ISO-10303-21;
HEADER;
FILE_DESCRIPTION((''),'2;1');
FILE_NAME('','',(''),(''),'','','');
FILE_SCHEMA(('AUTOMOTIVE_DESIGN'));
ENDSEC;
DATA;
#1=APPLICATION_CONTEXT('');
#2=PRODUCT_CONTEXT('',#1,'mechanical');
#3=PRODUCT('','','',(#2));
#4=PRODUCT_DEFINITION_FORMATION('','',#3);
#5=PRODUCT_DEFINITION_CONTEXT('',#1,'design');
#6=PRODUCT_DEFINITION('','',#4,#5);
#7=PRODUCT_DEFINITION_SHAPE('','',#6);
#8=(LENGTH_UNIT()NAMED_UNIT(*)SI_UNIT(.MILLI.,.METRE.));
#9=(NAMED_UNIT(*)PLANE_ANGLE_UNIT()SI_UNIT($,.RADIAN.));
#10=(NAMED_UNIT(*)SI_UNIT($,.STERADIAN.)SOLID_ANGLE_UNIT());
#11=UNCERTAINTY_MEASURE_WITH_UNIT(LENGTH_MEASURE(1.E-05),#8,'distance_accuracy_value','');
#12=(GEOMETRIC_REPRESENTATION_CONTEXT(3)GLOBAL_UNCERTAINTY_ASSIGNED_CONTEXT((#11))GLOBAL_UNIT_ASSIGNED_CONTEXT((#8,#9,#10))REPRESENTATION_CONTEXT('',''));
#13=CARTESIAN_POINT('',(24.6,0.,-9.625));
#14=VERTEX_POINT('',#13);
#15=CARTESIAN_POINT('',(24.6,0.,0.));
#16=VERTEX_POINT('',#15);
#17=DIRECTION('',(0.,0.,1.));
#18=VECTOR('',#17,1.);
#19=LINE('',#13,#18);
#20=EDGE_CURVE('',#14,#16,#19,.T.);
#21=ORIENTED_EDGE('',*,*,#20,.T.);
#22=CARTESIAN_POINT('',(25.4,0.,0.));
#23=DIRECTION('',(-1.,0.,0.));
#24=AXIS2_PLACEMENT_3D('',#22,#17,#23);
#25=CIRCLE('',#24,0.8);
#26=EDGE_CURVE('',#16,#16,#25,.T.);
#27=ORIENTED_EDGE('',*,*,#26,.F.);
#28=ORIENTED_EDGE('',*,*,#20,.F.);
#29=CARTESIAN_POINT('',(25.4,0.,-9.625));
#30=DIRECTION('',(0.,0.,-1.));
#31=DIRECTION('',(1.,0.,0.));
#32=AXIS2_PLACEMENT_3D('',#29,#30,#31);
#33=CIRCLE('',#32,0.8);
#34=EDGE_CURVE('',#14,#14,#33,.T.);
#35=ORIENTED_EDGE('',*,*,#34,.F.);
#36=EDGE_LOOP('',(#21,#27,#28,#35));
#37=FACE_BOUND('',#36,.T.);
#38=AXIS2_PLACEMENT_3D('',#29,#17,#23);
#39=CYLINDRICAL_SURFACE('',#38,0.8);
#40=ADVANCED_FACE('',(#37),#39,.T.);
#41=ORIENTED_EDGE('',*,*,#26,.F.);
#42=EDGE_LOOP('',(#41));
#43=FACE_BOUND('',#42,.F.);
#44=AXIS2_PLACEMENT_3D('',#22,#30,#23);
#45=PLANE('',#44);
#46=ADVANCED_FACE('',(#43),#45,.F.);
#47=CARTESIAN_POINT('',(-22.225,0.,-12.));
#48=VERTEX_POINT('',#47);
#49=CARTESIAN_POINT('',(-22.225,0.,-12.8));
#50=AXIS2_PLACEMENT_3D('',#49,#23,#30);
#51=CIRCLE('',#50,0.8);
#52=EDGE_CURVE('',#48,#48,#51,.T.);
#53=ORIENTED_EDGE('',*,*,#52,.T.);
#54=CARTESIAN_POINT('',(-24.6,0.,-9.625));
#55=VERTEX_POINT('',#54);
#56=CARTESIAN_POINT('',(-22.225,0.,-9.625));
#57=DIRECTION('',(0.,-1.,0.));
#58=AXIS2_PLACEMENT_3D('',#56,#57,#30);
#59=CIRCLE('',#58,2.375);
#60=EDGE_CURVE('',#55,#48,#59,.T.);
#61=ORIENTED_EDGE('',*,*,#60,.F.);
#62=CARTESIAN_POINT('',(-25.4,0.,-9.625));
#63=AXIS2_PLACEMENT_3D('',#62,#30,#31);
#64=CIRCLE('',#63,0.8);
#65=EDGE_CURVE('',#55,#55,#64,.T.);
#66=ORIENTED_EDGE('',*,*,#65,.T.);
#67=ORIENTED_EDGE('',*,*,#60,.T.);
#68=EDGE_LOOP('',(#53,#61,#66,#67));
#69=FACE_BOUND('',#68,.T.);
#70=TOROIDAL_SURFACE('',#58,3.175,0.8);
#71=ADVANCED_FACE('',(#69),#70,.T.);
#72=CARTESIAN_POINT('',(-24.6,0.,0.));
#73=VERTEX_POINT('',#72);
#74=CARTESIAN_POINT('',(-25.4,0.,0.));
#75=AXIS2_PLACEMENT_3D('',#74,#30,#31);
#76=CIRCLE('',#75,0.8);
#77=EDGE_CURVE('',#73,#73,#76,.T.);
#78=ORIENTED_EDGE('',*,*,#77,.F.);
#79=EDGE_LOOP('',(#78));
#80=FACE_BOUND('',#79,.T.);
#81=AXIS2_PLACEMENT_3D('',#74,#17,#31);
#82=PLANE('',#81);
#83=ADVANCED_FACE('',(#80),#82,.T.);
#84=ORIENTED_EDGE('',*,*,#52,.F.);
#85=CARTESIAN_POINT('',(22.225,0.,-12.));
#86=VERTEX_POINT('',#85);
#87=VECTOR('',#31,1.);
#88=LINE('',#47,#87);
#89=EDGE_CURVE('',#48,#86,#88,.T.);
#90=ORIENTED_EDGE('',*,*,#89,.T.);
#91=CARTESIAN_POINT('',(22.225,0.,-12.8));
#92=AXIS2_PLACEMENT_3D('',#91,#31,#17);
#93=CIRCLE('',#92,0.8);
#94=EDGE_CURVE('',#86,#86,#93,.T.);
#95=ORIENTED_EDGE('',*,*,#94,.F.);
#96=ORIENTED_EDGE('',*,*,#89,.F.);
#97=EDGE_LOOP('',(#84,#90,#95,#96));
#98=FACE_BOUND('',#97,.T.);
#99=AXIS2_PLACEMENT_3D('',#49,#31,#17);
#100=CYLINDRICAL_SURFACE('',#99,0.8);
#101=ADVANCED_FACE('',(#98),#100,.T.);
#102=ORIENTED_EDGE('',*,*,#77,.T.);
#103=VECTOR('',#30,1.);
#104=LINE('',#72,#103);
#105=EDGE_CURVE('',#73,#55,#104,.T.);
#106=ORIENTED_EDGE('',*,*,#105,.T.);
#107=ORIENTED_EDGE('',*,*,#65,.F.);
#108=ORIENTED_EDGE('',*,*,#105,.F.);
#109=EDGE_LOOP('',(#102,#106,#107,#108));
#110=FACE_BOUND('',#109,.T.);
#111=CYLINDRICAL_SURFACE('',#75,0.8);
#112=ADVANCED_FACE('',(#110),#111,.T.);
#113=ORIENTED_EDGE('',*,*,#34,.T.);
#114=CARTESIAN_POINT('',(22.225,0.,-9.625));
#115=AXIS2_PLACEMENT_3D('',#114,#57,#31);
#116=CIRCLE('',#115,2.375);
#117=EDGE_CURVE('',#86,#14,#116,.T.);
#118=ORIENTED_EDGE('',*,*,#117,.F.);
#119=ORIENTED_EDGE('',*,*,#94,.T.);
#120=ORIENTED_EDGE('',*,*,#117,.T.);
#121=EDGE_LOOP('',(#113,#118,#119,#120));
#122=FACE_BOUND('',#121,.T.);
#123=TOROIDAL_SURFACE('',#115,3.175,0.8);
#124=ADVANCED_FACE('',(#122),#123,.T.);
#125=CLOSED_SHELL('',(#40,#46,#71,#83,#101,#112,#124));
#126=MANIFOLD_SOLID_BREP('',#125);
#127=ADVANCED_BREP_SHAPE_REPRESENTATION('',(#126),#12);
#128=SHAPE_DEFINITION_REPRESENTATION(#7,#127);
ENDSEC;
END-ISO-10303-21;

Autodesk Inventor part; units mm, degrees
ref_plane "XZ Plane" through (0, 0, 0) normal (0, 1, 0) x (-1, 0, 0)
ref_plane "XY Plane" through (0, 0, 0) normal (0, 0, 1) x (1, 0, 0)
sketch "スケッチ1" plane through (0, 0, 0) normal (0, 0, 1) x (1, 0, 0)
  circle A0 centre (-25.4, 0) radius 0.8
  point P0 (0, 0)
  dimension "d0" = 1.6
  dimension "d3" = 25.4
sketch "スケッチ2" plane through (0, 0, 0) normal (0, 1, 0) x (-1, 0, 0)
  line L0 (25.4, 0) -> (25.4, -9.625)
  line L1 (22.225, -12.8) -> (-22.225, -12.8)
  line L2 (-25.4, -9.625) -> (-25.4, 0)
  arc A0 (22.225, -12.8) -> (25.4, -9.625) centre (22.225, -9.625) ccw
  arc A1 (-25.4, -9.625) -> (-22.225, -12.8) centre (-22.225, -9.625) ccw
  point P0 (0, 0)
  point P1 (0, -12.8)
  dimension "d1" = 3.175
  dimension "d2" = 12.8
sweep "スイープ1" add profiles "スケッチ1" path "スケッチ2"
properties part number "stabbar_u5"
